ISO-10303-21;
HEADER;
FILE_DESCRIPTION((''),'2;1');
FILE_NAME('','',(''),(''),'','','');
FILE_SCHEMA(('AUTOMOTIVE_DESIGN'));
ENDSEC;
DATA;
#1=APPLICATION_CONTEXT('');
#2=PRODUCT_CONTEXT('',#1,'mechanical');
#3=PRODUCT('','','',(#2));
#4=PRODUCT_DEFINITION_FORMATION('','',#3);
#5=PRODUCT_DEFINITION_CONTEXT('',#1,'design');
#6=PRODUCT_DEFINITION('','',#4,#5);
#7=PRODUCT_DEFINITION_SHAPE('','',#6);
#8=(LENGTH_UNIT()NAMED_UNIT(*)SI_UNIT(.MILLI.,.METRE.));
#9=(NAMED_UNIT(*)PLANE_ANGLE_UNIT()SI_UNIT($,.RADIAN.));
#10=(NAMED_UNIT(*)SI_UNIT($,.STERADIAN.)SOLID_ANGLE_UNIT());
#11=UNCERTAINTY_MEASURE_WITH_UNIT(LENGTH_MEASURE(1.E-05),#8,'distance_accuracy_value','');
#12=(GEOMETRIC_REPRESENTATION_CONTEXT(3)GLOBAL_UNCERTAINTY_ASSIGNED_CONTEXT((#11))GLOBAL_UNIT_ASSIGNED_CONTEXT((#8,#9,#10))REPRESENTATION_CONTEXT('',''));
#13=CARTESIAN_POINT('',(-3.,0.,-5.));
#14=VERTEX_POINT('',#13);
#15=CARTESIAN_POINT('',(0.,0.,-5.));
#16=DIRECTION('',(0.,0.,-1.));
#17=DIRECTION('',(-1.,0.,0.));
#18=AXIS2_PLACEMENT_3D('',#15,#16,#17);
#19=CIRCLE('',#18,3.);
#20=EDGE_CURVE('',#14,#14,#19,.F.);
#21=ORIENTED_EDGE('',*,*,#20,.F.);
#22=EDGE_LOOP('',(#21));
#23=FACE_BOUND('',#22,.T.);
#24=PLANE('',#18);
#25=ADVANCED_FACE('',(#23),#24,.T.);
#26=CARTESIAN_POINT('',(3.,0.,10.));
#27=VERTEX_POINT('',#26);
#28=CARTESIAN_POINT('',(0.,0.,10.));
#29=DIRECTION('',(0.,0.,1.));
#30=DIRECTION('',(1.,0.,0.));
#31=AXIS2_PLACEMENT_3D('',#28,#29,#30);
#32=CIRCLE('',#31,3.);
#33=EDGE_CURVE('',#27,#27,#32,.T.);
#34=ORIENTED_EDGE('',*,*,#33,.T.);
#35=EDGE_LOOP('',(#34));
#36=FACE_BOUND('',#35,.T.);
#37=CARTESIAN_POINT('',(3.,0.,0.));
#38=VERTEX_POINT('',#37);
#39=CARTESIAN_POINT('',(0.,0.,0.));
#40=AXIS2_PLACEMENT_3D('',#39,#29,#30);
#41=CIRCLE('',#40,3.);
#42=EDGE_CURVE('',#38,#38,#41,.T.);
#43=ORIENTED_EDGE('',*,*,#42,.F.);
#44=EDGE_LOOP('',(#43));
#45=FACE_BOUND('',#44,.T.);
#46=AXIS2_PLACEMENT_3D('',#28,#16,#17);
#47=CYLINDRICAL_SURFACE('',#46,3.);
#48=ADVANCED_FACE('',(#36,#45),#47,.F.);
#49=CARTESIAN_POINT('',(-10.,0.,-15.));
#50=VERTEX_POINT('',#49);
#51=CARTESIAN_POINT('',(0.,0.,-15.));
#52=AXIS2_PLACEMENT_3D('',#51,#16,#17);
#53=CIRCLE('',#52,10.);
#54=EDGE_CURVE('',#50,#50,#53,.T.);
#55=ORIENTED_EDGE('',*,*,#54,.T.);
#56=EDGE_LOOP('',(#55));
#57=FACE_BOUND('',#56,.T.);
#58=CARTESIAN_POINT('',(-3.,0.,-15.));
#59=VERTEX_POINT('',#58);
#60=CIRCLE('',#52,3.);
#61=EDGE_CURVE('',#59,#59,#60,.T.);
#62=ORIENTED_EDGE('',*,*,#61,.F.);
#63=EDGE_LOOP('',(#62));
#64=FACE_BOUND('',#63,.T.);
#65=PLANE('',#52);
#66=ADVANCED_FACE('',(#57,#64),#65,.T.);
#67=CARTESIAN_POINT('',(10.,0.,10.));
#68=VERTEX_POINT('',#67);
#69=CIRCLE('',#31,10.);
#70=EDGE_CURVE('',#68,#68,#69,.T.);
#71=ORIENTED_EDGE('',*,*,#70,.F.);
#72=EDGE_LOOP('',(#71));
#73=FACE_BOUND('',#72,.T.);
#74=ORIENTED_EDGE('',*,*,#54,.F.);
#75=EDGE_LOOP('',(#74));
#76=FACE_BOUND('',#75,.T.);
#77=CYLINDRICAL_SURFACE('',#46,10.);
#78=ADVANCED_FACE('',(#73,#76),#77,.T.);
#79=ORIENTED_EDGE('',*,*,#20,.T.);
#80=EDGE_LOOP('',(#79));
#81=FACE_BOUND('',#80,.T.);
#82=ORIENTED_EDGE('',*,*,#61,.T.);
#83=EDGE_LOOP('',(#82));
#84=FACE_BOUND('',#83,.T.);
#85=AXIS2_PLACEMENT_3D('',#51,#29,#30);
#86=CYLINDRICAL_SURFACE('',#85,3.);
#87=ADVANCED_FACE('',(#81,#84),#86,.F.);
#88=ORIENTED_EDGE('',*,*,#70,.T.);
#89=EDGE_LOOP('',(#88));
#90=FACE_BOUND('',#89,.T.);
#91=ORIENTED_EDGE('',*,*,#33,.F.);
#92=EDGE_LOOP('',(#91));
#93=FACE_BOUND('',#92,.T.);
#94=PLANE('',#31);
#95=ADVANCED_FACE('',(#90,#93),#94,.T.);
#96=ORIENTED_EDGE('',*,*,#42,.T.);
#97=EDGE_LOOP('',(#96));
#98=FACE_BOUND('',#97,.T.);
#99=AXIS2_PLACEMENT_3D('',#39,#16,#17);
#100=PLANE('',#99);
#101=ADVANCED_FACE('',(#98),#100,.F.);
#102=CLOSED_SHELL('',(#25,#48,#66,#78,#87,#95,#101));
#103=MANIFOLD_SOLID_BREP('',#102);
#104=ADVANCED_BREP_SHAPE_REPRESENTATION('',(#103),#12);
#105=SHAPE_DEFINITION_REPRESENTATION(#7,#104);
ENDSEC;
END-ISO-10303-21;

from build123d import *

# Parameters (mm, degrees)
SKETCH1_R           = 10
SKETCH1_R_2         = 3
BOSS_EXTRUDE1_DEPTH = 10
BOSS_EXTRUDE3_START = 5
SKETCH4_R           = 10
BOSS_EXTRUDE3_DEPTH = 5
BOSS_EXTRUDE4_START = 10
SKETCH5_R           = 10
SKETCH5_R_2         = 3
BOSS_EXTRUDE4_DEPTH = 10


with BuildPart() as part:
    # Sketch1 → Boss-Extrude1 (new body)
    with BuildSketch(Plane.XY):
        Circle(SKETCH1_R)
        Circle(SKETCH1_R_2, mode=Mode.SUBTRACT)
    extrude(amount=BOSS_EXTRUDE1_DEPTH)

    # Sketch4 → Boss-Extrude3 (add)
    with BuildSketch(Plane(origin=(0, 0, 0), x_dir=(-1, 0, 0), z_dir=(0, 0, -1)).offset(BOSS_EXTRUDE3_START)):
        Circle(SKETCH4_R)
    extrude(amount=-BOSS_EXTRUDE3_DEPTH)

    # Sketch5 → Boss-Extrude4 (add)
    with BuildSketch(Plane(origin=(0, 0, -5), x_dir=(-1, 0, 0), z_dir=(0, 0, -1)).offset(BOSS_EXTRUDE4_START)):
        Circle(SKETCH5_R)
        with Locations(Location((0, 0, 0), (0, 0, 180))):
            Circle(SKETCH5_R_2, mode=Mode.SUBTRACT)
    extrude(amount=-BOSS_EXTRUDE4_DEPTH)


solid = part.part
